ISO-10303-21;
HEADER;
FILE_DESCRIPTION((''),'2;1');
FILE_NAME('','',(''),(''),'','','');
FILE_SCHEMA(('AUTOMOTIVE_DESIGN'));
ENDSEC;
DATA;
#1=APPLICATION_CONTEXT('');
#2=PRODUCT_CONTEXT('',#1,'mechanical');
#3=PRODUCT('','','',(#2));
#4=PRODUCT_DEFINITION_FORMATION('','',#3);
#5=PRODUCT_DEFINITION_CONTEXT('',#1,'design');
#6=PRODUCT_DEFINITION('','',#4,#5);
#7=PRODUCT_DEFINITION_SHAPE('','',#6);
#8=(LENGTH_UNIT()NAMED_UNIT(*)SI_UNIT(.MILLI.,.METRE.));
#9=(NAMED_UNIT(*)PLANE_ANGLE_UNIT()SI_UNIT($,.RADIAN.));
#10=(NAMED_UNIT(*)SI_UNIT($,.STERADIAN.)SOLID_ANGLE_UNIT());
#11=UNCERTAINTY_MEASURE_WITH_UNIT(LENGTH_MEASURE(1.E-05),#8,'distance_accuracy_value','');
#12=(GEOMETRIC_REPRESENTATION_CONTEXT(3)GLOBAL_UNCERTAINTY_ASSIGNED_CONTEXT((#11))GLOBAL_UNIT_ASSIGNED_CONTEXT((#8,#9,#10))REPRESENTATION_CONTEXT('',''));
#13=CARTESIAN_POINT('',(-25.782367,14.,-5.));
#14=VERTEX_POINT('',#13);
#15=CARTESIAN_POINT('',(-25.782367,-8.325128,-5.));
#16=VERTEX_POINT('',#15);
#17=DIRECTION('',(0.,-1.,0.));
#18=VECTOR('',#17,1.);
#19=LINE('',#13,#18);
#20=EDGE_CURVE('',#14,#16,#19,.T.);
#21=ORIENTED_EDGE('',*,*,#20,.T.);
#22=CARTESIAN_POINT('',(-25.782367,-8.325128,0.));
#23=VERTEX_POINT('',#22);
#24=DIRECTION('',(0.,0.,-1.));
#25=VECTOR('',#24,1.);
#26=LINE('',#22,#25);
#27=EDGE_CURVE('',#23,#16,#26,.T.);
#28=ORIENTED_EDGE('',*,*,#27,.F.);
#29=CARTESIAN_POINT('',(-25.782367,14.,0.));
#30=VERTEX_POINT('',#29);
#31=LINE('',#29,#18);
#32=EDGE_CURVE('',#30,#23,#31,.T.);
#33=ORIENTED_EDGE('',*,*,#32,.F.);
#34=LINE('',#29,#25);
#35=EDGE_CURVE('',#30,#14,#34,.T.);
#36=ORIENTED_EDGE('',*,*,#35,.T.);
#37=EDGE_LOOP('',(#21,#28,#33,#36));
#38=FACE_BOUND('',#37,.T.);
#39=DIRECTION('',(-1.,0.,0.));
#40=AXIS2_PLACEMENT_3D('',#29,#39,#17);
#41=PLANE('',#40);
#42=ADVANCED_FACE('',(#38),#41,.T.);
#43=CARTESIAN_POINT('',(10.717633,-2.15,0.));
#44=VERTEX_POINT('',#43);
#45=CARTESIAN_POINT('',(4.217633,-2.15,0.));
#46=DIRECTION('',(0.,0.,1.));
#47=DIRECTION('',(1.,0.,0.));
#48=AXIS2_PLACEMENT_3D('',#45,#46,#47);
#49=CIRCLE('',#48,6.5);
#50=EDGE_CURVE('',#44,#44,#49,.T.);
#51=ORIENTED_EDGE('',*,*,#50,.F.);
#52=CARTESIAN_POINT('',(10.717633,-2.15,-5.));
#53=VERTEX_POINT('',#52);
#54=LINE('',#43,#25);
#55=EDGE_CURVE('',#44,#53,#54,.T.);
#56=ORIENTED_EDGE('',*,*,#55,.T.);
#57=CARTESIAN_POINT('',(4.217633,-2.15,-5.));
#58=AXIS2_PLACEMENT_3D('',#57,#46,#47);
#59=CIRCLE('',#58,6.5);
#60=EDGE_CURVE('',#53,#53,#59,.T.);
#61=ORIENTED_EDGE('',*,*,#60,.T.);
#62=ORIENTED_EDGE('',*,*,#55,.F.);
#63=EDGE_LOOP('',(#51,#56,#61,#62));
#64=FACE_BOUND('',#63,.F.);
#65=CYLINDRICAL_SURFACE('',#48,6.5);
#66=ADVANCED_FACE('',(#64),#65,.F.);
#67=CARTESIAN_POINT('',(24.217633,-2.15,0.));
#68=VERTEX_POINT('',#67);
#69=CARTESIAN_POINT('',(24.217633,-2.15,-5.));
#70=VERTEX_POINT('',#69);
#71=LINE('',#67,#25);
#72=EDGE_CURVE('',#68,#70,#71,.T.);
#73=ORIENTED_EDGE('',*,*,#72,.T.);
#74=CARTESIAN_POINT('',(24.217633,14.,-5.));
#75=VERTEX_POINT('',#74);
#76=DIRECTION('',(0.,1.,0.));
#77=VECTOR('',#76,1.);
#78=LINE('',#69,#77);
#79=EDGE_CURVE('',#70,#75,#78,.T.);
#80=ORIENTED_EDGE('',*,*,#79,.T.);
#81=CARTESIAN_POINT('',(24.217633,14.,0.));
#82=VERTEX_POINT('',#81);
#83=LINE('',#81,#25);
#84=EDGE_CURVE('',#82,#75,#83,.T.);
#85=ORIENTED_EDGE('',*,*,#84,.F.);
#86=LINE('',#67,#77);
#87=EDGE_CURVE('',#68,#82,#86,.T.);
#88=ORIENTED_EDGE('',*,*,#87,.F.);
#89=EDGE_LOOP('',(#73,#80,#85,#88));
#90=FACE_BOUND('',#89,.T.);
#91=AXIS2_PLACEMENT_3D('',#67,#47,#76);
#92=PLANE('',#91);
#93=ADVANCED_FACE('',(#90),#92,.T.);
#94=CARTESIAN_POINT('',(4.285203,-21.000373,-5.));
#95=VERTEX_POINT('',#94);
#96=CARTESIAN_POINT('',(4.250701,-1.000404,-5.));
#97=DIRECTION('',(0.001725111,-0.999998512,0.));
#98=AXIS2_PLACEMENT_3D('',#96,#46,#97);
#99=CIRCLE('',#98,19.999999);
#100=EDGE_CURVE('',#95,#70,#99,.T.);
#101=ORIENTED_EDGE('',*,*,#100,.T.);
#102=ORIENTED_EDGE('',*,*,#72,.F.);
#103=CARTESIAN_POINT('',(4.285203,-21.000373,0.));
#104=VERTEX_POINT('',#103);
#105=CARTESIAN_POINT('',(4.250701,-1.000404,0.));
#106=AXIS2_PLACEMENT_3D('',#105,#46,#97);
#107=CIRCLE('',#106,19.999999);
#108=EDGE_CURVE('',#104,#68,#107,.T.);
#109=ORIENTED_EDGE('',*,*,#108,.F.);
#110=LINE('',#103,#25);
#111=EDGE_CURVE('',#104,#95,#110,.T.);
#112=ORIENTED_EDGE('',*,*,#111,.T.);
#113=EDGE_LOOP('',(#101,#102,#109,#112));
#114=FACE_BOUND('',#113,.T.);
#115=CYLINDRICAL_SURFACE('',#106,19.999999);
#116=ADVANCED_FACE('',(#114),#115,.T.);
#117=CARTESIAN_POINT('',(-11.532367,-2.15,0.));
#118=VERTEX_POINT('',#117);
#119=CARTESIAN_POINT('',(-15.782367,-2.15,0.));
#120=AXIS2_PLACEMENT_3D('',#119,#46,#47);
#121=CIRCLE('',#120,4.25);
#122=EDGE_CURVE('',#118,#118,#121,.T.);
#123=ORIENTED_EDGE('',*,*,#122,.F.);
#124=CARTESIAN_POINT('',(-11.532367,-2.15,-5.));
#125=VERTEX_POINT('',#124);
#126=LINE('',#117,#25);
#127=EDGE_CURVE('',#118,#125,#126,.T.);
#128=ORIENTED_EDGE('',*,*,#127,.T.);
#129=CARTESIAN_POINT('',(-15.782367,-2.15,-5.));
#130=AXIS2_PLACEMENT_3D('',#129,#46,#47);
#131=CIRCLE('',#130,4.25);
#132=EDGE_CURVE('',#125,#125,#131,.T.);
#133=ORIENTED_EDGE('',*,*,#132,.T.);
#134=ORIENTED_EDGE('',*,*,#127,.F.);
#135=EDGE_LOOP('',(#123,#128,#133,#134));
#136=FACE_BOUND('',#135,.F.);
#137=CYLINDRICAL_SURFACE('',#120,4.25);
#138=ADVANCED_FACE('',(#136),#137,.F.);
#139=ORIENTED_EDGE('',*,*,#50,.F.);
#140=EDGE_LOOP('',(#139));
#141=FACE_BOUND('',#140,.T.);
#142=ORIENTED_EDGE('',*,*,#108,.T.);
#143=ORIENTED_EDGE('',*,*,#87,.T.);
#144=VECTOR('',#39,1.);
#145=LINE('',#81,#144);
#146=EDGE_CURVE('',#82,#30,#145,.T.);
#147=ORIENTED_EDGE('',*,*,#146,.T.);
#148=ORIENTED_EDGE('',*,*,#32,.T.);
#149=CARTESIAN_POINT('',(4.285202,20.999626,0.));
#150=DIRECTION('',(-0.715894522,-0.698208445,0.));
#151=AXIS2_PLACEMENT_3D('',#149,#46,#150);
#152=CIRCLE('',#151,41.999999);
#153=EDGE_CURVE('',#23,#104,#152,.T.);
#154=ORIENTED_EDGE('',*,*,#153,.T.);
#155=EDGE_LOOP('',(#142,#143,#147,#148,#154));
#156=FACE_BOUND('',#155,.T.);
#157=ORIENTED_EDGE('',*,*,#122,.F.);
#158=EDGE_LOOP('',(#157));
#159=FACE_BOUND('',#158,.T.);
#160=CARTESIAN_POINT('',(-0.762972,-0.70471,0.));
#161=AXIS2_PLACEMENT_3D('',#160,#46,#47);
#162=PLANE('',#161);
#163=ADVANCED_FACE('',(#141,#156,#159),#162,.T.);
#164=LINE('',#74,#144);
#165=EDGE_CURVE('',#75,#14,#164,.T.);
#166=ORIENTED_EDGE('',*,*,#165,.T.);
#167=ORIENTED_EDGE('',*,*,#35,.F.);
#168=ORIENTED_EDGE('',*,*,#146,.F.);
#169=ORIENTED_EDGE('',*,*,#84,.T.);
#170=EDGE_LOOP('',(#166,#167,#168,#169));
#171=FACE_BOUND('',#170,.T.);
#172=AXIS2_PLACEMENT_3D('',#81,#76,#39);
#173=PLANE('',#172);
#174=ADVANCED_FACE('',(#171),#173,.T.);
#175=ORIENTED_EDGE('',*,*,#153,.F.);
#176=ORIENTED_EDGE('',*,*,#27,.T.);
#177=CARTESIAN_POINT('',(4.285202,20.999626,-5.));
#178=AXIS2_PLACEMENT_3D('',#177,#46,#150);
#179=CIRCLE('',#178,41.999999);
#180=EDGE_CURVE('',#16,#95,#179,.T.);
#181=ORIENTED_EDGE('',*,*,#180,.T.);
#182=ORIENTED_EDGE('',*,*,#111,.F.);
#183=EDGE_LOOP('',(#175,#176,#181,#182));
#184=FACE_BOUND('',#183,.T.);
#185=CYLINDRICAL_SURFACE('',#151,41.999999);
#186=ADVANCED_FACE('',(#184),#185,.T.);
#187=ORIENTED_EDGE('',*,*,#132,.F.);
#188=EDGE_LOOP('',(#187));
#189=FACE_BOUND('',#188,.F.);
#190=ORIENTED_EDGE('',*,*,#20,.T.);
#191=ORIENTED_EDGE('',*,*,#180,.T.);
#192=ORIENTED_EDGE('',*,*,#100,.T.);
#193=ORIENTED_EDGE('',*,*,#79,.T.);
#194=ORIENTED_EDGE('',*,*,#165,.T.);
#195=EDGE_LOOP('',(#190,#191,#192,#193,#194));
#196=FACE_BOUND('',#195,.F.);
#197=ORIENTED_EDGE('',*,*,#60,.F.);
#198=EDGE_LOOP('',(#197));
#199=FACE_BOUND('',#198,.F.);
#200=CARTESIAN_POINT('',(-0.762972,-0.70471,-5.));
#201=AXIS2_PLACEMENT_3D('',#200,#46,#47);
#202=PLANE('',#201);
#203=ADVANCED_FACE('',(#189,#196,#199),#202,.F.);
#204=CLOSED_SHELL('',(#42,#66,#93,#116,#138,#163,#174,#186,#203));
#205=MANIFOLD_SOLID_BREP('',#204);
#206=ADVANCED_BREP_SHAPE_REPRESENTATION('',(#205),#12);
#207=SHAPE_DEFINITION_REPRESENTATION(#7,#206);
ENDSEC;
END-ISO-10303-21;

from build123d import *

# Parameters (mm, degrees)
F0_R     = 4.25
F0_R_2   = 11.5
F0_R_3   = 6.5
F1_DEPTH = 5


with BuildPart() as f1:
    # F0 (on Top) → F1 (new body)
    with BuildSketch(Plane.XY):
        with BuildLine():
            Line((24.217633, -2.15), (24.217633, 14))
            Line((24.217633, 14), (-15.781855, 14))
            Line((-15.781855, 14), (-25.782367, 14))
            Line((-25.782367, 14), (-25.782367, -8.325128))
            ThreePointArc((-25.782367, -8.325128), (-12.029825, -17.702051), (4.285203, -21.000373))
            ThreePointArc((4.285203, -21.000373), (17.992916, -15.531456), (24.217633, -2.15))
        make_face()
        with Locations((-15.782367, -2.15)):
            Circle(F0_R, mode=Mode.SUBTRACT)
        with Locations((4.217633, -2.15)):
            Circle(F0_R_2, mode=Mode.SUBTRACT)
        with Locations((4.217633, -2.15)):
            Circle(F0_R_2)
        with Locations((4.217633, -2.15)):
            Circle(F0_R_3, mode=Mode.SUBTRACT)
    extrude(amount=-F1_DEPTH)


solid = f1.part
